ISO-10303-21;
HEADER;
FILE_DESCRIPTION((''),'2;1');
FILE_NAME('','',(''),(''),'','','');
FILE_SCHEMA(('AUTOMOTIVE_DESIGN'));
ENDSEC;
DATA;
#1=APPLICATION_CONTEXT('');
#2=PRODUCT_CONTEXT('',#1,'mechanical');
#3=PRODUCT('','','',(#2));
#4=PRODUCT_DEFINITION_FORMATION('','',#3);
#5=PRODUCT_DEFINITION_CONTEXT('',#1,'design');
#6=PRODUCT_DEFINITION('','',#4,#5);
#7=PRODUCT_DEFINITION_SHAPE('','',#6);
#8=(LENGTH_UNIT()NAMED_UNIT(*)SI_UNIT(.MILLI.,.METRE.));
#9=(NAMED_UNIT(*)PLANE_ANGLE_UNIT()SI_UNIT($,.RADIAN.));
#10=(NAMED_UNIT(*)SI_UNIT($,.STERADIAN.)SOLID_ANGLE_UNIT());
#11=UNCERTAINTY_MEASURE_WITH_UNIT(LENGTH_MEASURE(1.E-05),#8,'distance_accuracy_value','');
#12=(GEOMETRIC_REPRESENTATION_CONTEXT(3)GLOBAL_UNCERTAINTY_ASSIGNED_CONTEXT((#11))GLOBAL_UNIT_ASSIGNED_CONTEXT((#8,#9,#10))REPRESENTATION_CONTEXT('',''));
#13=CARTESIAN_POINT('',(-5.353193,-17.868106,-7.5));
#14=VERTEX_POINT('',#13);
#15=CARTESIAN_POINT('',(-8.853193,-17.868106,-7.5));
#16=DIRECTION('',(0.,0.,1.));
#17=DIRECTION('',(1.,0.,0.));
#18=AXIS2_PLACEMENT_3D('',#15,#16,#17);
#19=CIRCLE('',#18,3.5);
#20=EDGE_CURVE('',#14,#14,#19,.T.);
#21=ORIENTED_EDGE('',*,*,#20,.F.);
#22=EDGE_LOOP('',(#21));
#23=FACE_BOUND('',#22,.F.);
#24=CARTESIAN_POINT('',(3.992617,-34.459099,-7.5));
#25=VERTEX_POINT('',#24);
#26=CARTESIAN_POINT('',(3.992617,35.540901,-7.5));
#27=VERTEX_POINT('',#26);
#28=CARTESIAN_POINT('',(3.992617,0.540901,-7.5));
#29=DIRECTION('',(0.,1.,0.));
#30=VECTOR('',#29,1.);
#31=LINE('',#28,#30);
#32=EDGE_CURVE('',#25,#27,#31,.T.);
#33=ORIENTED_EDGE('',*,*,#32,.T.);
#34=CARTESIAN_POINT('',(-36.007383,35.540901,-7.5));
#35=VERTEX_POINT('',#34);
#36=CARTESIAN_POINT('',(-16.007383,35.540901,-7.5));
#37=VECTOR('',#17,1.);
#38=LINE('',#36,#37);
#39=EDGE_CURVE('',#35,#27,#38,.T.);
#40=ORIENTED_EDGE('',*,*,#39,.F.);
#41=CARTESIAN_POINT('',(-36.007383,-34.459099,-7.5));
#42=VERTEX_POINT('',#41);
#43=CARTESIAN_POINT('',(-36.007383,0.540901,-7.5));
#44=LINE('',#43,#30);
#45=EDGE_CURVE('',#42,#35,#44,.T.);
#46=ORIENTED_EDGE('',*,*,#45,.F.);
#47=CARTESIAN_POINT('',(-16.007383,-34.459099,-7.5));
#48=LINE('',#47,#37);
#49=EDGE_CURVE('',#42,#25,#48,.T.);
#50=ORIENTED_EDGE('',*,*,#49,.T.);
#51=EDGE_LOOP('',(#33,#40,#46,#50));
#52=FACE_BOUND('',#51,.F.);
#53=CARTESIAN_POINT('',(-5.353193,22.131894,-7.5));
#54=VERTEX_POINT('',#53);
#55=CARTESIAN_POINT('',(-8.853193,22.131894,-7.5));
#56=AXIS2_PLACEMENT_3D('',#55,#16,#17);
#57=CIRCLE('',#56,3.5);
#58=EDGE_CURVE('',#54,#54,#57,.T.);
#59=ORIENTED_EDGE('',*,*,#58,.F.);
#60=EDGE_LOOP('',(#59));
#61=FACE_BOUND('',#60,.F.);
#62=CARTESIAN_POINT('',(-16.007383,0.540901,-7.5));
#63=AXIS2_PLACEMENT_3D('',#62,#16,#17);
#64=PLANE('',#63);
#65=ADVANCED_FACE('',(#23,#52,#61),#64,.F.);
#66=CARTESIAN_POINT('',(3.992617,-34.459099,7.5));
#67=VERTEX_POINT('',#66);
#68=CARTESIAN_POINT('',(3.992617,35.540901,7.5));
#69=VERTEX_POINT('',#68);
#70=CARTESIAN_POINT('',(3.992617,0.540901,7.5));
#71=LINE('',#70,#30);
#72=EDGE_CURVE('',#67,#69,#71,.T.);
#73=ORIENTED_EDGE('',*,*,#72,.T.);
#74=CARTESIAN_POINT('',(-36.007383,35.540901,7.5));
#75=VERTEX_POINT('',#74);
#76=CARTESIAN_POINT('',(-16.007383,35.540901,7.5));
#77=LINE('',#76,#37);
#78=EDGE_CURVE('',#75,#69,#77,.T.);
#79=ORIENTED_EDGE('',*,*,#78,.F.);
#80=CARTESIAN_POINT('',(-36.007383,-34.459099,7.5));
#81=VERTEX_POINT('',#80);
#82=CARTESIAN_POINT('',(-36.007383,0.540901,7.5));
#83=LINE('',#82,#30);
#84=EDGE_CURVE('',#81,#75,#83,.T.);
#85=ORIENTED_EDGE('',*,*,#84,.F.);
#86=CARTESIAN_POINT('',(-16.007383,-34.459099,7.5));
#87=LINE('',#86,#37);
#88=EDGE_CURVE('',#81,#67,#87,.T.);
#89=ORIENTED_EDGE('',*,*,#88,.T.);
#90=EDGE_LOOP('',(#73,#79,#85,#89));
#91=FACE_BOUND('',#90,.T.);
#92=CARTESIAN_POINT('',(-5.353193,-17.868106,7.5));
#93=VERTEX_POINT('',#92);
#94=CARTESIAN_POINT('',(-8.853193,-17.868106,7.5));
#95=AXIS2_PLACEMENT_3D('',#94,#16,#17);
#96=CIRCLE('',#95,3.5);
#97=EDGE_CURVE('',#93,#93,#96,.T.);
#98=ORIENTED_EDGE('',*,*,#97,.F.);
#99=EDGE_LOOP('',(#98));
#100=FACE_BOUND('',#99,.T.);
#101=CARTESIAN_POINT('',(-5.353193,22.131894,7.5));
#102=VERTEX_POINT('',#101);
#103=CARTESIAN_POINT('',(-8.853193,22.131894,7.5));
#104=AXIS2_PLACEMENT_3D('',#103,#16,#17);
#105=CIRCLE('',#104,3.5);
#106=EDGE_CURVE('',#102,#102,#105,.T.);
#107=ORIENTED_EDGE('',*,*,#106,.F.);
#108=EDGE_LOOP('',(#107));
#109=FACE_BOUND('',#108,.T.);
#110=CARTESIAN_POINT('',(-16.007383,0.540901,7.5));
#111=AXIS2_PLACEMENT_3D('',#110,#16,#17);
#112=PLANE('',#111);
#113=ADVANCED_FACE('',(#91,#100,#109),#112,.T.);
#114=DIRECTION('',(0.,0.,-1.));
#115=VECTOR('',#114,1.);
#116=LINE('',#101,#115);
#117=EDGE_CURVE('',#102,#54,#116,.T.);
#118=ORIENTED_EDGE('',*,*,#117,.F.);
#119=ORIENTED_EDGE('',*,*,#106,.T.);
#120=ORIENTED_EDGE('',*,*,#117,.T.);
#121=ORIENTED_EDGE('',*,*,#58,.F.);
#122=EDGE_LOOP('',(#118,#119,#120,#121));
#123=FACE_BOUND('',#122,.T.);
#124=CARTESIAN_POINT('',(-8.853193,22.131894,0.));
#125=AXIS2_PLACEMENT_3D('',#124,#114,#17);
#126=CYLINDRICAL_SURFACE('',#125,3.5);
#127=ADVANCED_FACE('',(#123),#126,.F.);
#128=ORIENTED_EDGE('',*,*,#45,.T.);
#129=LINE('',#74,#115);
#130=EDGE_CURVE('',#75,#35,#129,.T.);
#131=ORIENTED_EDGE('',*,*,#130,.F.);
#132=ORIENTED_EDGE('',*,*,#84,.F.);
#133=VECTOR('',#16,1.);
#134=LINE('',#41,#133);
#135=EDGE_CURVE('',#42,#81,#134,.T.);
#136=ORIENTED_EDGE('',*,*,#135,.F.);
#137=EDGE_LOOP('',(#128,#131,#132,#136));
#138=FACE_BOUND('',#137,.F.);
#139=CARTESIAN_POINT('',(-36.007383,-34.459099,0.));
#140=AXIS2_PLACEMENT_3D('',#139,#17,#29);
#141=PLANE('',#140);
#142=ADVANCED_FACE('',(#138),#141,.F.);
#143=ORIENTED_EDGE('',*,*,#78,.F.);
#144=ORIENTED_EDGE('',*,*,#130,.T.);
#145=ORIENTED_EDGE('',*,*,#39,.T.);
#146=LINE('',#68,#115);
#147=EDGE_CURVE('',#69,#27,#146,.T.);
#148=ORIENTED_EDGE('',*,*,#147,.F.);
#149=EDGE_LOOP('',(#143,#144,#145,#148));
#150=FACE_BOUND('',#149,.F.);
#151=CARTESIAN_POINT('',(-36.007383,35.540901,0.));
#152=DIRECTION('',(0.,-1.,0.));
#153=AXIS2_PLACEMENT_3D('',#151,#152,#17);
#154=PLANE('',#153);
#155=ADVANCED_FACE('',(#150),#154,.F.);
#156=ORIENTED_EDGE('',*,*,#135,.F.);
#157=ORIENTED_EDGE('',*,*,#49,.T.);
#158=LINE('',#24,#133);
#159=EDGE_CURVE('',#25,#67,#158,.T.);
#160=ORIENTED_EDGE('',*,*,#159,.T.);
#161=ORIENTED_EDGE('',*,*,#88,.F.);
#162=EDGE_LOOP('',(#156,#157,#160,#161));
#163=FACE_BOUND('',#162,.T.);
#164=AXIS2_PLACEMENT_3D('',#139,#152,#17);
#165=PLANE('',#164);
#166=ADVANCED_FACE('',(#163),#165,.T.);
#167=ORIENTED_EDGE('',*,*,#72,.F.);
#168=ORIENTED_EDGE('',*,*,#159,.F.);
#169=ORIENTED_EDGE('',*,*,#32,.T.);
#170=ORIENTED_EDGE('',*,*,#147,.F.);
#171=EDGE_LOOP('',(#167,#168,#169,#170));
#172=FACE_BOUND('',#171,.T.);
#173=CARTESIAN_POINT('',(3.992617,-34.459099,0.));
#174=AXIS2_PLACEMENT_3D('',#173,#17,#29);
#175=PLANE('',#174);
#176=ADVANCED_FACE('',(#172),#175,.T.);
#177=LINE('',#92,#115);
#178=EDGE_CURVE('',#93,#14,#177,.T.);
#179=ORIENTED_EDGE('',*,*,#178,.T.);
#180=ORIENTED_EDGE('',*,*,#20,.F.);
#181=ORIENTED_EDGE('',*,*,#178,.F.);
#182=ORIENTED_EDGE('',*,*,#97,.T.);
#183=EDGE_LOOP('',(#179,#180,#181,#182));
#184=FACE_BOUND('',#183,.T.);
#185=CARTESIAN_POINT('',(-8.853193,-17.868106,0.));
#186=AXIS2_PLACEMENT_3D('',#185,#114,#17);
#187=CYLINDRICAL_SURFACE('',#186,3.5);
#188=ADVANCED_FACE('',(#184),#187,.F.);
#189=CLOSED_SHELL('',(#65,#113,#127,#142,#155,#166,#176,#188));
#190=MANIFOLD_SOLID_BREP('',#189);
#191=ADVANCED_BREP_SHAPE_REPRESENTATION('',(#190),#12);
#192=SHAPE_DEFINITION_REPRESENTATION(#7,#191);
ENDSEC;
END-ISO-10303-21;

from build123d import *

# Parameters (mm, degrees)
F0_W     = 40
F0_H     = 70
F0_R     = 3.5
F1_DEPTH = 7.5


with BuildPart() as f1:
    # F0 (on Top) → F1 (new body, symmetric)
    with BuildSketch(Plane.XY):
        with Locations((-16.007383, 0.540901)):
            Rectangle(F0_W, F0_H)
        with Locations((-8.853193, -17.868106)):
            Circle(F0_R, mode=Mode.SUBTRACT)
        with Locations((-8.853193, 22.131894)):
            Circle(F0_R, mode=Mode.SUBTRACT)
    extrude(amount=F1_DEPTH, both=True)


solid = f1.part
